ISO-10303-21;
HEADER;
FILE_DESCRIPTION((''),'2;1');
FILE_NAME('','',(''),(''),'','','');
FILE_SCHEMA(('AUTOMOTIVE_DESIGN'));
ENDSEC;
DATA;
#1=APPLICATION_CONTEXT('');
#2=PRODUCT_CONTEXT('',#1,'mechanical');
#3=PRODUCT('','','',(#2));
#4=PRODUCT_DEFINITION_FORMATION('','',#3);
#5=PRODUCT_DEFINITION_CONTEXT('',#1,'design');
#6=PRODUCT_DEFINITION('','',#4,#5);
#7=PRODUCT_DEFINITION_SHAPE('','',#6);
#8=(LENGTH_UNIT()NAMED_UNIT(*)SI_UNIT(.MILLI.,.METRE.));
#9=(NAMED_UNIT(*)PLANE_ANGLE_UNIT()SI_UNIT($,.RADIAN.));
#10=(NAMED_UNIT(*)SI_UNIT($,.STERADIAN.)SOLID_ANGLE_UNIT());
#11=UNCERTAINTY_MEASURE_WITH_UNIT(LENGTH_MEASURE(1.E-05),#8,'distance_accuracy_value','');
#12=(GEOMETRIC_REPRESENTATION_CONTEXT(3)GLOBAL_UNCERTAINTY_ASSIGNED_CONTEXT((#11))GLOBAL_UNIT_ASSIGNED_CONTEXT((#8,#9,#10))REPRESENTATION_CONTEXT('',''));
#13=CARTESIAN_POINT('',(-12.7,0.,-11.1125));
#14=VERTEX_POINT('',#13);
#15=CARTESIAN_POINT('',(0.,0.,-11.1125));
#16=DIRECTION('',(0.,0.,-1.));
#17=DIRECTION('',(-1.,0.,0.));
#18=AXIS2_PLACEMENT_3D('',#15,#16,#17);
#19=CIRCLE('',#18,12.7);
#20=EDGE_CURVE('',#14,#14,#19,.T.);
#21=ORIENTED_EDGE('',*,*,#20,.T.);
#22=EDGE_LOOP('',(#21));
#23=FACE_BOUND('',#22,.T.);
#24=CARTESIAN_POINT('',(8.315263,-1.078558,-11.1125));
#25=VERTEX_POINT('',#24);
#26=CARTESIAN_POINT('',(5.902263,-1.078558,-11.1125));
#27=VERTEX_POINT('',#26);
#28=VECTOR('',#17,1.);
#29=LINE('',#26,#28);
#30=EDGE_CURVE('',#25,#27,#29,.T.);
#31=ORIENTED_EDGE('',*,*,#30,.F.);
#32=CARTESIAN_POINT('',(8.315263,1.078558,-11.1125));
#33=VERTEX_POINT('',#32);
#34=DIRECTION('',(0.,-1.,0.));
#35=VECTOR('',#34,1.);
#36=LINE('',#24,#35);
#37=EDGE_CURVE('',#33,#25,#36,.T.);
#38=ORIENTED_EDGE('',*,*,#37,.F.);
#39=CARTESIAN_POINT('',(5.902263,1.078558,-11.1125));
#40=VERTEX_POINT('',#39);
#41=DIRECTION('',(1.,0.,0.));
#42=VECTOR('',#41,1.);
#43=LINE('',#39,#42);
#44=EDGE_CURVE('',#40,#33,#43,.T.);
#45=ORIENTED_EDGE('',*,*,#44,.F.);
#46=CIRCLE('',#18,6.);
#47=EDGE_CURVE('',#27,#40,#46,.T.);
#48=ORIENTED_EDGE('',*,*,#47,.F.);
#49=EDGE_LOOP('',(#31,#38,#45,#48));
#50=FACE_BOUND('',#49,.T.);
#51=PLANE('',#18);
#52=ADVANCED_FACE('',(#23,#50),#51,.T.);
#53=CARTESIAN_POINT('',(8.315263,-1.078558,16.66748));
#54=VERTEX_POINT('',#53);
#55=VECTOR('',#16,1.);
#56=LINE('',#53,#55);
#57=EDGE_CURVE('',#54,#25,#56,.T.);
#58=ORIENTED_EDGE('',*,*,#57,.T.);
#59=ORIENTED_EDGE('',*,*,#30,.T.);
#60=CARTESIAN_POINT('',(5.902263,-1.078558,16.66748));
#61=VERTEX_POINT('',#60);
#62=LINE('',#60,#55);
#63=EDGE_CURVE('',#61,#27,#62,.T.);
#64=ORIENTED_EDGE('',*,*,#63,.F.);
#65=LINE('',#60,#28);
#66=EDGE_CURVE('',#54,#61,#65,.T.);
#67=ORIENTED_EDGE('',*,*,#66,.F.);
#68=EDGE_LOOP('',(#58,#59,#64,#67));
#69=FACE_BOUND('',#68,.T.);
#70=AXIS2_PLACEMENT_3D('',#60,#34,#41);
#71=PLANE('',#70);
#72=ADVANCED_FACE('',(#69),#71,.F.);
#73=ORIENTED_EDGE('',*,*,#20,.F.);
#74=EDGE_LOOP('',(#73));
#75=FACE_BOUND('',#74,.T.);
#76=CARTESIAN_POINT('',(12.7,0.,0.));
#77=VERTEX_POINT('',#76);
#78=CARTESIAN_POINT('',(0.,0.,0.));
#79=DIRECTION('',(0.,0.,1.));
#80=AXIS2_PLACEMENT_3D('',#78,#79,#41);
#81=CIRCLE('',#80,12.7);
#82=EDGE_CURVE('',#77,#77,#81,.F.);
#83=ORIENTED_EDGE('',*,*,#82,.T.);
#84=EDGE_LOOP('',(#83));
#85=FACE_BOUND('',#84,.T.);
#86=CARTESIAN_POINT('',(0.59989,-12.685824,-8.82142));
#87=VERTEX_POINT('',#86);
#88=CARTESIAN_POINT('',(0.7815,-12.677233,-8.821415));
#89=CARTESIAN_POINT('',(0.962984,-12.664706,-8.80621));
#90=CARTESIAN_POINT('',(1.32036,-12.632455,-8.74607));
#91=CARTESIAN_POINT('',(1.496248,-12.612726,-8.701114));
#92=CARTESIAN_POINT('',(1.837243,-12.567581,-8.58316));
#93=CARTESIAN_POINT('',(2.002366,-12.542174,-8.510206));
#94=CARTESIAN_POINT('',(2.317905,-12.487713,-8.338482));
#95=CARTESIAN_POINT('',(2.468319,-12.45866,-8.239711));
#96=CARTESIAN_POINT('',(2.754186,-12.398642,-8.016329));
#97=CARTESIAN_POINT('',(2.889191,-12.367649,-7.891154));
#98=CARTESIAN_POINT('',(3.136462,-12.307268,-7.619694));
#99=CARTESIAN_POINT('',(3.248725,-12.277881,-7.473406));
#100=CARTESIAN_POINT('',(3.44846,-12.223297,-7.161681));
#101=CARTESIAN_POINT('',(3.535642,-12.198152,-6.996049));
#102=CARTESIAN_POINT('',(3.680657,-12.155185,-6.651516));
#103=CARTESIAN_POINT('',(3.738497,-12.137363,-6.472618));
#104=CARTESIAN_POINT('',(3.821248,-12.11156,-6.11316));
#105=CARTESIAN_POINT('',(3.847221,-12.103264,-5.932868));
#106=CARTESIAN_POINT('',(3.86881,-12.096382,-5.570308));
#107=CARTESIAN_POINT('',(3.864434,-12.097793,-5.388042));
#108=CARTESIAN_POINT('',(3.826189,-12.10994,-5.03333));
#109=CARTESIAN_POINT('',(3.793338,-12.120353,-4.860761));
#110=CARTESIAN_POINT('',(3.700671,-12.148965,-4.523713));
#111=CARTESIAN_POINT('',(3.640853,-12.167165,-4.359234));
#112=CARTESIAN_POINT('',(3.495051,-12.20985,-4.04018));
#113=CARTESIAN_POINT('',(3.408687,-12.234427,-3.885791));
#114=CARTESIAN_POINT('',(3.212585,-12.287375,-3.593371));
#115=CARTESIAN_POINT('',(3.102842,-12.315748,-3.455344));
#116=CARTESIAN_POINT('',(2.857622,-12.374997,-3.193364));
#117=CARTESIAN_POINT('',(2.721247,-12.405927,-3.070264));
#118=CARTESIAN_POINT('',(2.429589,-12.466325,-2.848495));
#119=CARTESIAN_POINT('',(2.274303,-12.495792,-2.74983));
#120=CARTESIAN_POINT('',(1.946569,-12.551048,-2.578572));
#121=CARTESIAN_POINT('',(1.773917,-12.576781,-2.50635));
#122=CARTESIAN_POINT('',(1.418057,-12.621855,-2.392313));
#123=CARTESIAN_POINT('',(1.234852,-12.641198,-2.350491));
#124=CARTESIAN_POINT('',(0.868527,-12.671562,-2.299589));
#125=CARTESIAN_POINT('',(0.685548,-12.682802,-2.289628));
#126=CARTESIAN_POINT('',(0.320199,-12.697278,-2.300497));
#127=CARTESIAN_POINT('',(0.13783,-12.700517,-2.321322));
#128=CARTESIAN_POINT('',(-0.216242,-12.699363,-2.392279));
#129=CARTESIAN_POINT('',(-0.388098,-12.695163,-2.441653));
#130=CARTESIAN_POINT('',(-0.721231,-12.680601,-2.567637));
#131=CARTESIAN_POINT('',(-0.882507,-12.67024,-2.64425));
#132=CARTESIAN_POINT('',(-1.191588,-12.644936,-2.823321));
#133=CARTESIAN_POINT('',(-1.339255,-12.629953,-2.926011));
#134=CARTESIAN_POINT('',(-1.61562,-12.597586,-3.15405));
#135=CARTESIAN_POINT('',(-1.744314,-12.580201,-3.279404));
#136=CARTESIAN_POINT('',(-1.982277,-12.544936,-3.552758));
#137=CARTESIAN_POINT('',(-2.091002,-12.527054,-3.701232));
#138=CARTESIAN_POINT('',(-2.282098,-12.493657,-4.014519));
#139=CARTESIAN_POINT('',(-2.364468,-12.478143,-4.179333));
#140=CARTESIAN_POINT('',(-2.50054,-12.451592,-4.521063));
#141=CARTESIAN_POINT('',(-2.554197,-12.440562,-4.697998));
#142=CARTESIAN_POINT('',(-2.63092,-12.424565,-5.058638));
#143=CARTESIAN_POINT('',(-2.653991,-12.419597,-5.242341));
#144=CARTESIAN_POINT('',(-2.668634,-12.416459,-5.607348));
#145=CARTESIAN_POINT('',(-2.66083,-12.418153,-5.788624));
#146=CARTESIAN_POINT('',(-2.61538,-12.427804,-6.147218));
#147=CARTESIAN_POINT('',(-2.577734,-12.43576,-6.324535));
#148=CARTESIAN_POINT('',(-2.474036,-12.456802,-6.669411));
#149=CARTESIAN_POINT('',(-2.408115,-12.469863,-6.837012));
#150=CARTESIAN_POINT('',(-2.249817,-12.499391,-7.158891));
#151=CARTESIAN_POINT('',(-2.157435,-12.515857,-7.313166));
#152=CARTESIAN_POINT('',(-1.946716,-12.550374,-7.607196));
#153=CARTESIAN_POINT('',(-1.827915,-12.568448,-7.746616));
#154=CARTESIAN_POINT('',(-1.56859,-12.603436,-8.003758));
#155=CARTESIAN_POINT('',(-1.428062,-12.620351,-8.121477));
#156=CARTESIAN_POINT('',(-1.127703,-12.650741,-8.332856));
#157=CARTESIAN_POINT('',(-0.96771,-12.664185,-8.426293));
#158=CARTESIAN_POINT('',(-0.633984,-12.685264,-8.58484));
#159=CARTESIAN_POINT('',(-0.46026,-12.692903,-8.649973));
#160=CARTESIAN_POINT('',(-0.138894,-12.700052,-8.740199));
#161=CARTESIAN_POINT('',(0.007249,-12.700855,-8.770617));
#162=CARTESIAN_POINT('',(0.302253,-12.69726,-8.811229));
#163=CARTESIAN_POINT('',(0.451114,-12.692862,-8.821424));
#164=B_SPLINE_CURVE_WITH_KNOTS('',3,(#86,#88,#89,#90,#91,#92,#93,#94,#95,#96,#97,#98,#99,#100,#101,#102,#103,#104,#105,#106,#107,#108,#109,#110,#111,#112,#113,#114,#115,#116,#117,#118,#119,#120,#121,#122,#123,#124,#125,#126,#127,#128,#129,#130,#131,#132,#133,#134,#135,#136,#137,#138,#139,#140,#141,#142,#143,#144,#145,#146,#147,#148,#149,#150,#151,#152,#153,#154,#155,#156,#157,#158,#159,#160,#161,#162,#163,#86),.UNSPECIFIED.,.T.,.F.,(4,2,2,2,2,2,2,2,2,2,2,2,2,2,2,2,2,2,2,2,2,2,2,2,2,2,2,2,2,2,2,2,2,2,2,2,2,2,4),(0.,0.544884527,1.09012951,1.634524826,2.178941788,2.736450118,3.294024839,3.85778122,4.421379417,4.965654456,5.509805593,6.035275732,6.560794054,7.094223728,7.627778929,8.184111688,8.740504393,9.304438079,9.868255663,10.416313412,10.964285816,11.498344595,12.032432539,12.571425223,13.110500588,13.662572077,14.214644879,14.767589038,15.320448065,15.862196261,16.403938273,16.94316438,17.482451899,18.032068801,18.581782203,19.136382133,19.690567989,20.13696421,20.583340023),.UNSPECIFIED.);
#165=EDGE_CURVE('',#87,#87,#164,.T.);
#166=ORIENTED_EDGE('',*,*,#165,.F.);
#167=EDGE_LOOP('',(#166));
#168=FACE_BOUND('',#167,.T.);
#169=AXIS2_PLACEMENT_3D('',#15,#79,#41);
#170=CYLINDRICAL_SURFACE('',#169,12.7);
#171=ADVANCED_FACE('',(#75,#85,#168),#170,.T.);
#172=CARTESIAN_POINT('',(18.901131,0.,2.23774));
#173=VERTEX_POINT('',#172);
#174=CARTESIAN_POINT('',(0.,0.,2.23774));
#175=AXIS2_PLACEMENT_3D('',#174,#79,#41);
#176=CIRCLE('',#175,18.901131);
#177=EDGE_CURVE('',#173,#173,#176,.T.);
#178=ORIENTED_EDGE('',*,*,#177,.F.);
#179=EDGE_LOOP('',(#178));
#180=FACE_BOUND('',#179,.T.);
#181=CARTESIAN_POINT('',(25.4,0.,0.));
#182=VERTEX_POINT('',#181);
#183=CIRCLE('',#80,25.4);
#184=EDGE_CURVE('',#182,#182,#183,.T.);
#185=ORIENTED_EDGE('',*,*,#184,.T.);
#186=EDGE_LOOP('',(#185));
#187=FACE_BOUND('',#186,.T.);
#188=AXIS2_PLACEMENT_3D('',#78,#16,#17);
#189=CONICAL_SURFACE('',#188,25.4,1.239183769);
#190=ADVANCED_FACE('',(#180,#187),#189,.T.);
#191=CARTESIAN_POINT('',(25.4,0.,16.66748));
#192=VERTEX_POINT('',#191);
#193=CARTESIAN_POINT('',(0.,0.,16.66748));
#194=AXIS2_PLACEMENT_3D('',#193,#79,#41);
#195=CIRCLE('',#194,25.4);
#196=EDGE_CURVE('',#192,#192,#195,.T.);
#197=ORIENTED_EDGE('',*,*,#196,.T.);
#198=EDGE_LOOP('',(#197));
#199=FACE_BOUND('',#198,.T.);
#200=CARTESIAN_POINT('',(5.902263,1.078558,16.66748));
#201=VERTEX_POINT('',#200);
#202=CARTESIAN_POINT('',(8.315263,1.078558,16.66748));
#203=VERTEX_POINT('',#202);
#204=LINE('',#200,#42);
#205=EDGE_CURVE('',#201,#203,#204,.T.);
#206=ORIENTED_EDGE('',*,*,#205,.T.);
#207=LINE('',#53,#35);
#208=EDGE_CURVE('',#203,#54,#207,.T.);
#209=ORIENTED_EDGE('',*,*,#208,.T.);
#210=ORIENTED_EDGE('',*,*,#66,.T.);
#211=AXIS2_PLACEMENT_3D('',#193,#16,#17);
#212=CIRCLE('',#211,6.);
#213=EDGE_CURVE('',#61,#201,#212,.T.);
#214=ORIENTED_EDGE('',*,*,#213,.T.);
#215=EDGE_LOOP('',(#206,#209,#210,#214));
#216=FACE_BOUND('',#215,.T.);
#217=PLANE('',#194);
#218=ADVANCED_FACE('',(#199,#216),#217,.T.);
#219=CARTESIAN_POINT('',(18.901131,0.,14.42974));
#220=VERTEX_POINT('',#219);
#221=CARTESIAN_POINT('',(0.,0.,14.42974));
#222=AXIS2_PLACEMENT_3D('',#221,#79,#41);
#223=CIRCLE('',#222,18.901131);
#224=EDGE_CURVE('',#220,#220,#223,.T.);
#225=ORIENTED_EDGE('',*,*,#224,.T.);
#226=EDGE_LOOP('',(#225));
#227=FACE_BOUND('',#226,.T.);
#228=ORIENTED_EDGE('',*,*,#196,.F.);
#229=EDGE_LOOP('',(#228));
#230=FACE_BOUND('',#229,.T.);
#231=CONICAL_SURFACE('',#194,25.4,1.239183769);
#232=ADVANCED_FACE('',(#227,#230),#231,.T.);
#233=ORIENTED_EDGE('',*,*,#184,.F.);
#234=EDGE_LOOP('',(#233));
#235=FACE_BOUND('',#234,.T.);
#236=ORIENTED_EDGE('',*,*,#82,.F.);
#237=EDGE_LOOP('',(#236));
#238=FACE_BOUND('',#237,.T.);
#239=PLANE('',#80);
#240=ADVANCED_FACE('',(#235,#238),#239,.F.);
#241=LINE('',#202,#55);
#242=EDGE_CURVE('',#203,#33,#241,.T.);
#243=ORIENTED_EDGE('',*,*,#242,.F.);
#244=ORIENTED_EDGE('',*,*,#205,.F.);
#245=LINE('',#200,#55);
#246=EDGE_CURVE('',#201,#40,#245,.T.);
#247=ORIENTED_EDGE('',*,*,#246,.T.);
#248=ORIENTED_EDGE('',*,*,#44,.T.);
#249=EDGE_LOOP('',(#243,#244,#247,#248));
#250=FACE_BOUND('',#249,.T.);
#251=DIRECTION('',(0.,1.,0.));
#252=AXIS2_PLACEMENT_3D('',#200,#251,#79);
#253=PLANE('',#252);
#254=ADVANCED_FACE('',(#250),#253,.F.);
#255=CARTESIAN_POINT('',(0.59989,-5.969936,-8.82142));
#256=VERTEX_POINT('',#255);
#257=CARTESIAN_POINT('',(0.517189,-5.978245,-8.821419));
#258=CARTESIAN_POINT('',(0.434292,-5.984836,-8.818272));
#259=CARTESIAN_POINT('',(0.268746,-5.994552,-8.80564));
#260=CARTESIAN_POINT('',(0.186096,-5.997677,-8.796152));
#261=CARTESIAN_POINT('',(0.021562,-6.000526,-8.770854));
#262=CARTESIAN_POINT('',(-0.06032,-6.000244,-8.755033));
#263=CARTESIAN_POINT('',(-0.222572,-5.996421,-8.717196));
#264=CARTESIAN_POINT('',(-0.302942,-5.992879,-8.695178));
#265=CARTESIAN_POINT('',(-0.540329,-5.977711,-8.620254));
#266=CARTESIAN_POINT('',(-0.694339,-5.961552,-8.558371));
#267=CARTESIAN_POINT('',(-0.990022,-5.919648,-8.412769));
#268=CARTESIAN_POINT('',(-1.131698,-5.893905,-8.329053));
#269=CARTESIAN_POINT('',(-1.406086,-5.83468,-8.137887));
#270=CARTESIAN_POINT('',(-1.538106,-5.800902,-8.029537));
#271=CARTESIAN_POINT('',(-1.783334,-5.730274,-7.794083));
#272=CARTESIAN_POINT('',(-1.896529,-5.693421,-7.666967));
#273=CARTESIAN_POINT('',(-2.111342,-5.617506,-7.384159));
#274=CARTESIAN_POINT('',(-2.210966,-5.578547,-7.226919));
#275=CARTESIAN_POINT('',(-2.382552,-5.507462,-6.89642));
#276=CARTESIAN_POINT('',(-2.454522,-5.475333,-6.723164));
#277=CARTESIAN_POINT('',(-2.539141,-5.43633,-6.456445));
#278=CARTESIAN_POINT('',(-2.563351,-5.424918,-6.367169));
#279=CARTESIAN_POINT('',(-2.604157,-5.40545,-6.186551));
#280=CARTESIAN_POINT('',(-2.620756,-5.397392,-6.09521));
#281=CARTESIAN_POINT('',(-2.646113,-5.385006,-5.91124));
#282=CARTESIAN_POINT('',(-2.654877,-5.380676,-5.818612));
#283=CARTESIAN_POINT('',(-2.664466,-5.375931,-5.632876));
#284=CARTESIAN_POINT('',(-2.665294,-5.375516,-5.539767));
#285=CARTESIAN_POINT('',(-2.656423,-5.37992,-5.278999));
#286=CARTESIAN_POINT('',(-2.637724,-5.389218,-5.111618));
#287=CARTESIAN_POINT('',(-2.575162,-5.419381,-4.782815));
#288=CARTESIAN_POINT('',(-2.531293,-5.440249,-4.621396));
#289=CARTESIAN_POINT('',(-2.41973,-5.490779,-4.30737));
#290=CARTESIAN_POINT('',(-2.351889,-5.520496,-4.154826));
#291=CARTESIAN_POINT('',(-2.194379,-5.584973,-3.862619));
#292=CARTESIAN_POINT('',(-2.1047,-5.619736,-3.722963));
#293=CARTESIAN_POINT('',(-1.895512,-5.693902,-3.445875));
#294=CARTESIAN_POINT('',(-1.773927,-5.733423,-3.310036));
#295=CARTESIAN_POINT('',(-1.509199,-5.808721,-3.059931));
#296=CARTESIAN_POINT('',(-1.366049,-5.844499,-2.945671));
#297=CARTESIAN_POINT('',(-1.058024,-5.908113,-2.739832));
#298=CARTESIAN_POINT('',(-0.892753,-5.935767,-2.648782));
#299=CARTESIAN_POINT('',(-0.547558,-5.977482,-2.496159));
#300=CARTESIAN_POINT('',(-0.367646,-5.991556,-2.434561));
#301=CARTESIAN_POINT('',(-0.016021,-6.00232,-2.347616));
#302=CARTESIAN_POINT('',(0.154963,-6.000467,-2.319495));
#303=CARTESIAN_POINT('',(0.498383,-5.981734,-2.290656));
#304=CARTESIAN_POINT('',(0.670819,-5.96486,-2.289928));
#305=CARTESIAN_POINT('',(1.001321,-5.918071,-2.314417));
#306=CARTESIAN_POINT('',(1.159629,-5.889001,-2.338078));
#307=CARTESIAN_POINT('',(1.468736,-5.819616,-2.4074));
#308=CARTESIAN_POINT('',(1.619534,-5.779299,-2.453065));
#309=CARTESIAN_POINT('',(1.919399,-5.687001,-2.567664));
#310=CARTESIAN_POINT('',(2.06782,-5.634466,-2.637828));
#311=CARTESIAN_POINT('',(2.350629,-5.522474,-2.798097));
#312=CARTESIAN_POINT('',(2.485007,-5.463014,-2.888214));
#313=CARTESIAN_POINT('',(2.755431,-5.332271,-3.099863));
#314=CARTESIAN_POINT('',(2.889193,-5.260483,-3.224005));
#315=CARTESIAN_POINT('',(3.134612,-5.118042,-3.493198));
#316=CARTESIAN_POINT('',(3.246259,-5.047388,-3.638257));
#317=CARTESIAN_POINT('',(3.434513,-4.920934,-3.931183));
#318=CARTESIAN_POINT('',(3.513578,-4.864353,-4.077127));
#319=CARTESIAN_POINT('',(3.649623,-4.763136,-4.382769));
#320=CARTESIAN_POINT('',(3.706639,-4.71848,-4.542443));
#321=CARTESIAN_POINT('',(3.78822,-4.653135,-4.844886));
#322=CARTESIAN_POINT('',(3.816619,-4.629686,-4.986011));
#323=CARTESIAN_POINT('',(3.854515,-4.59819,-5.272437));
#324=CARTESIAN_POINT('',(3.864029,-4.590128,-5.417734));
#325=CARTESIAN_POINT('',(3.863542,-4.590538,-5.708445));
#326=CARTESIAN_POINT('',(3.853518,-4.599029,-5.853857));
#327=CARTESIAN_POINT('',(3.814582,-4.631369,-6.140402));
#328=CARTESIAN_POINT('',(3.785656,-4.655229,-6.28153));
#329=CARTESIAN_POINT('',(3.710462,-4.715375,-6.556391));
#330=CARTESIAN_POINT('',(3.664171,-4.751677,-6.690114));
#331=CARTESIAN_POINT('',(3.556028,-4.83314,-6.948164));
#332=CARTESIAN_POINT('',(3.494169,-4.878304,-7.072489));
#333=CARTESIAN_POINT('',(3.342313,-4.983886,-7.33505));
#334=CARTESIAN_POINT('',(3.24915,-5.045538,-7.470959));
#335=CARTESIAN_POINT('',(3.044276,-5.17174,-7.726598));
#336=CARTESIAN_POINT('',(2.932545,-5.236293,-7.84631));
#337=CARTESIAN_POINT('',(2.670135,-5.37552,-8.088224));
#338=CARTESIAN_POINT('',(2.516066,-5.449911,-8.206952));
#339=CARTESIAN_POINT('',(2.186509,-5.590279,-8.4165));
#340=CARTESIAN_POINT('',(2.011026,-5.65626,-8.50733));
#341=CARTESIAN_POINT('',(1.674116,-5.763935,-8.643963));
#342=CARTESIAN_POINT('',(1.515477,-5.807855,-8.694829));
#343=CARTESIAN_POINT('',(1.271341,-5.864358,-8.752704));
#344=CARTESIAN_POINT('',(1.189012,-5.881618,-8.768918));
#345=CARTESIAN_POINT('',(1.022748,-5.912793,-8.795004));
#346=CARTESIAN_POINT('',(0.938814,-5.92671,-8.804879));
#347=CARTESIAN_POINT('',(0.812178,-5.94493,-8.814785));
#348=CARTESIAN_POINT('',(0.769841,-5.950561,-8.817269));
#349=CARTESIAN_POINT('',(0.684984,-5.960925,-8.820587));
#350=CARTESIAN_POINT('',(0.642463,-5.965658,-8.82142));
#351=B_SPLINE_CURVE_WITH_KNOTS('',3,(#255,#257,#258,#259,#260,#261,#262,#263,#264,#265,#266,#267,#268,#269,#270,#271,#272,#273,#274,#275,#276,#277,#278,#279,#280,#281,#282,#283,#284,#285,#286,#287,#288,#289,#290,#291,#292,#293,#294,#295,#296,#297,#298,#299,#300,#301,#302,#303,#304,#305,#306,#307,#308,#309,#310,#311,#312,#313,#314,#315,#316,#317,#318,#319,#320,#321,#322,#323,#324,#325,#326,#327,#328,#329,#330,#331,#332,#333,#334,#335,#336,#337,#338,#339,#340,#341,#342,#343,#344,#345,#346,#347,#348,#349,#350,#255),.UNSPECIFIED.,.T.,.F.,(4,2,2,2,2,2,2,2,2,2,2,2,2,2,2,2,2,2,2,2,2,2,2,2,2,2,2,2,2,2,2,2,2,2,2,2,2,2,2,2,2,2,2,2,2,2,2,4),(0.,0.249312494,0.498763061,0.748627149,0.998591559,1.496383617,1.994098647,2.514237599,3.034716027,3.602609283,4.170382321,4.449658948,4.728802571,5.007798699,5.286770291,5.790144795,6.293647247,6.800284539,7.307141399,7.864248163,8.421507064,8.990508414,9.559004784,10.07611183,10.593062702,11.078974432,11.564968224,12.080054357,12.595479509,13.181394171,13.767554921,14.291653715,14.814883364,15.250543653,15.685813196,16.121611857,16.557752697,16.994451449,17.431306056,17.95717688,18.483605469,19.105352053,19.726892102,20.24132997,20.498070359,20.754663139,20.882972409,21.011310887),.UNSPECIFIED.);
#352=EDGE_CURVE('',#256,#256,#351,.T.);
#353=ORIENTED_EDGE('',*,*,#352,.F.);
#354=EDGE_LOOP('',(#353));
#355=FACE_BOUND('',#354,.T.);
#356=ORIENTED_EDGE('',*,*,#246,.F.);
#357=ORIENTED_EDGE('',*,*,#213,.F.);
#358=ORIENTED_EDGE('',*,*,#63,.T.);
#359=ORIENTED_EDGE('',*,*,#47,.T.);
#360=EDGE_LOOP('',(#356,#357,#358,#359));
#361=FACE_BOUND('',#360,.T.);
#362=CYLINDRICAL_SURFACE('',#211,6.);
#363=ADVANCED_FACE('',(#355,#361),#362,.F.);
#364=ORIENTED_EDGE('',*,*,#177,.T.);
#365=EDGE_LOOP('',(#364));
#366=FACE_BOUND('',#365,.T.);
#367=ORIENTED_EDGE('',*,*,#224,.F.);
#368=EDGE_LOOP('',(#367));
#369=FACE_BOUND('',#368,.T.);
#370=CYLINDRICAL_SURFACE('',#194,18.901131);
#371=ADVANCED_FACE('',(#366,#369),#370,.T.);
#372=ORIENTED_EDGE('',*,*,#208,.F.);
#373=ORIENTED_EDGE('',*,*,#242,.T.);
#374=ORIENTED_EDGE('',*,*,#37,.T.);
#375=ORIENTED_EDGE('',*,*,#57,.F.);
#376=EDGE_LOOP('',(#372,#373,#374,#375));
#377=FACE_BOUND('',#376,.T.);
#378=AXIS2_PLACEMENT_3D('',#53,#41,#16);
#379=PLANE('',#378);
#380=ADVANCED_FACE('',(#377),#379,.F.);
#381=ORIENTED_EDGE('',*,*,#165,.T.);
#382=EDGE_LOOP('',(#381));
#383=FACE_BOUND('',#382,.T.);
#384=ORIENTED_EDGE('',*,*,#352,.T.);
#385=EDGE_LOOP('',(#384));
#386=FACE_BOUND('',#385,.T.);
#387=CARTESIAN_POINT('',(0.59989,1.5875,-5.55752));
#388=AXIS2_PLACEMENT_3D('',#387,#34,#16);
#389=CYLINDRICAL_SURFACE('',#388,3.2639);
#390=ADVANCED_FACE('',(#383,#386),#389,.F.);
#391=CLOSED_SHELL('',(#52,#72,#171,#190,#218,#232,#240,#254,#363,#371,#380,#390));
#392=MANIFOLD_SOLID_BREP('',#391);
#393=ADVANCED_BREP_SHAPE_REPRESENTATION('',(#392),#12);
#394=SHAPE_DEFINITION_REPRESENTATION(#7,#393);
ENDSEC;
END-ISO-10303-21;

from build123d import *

# Parameters (mm, degrees)
SKETCH1_R               = 25.4
BOSS_EXTRUDE1_DEPTH     = 16.66748
SKETCH2_R               = 12.7
BOSS_EXTRUDE2_DEPTH     = 11.1125
CUT_EXTRUDE1_DEPTH      = 46.409770852
CUT_EXTRUDE2_DEPTH      = 11.1125
CUT_EXTRUDE2_DEPTH_BACK = 11.1125
SKETCH5_R               = 3.2639


with BuildPart() as part:
    # Sketch1 → Boss-Extrude1 (new body)
    with BuildSketch(Plane.XY):
        Circle(SKETCH1_R)
    extrude(amount=BOSS_EXTRUDE1_DEPTH)

    # Sketch2 → Boss-Extrude2 (add)
    with BuildSketch(Plane(origin=(0, 0, 0), x_dir=(-1, 0, 0), z_dir=(0, 0, -1))):
        with Locations(Location((0, 0, 0), (0, 0, 180))):
            Circle(SKETCH2_R)
    extrude(amount=BOSS_EXTRUDE2_DEPTH)

    # Sketch3 → Cut-Extrude1 (cut, through all)
    with BuildSketch(Plane(origin=(0, 0, -11.1125), x_dir=(-1, 0, 0), z_dir=(0, 0, -1))):
        with BuildLine():
            Line((-5.902263385, -1.078557803), (-8.315263385, -1.078557803))
            Line((-8.315263385, -1.078557803), (-8.315263385, 1.078557803))
            Line((-8.315263385, 1.078557803), (-5.902263385, 1.078557803))
            ThreePointArc((-5.902263385, 1.078557803), (6, 0), (-5.902263385, -1.078557803))
        make_face()
    extrude(amount=-CUT_EXTRUDE1_DEPTH, mode=Mode.SUBTRACT)

    # Sketch5 → Cut-Extrude2 (cut, two sides: drawn at the far end of the back side and taken through both)
    with BuildSketch(Plane(origin=(0, -9.525, 0), x_dir=(1, 0, 0), z_dir=(0, 1, 0)).offset(-CUT_EXTRUDE2_DEPTH_BACK)):
        with Locations(Location((0.599890424, 5.55752, 0), (0, 0, 90))):
            Circle(SKETCH5_R)
    extrude(amount=CUT_EXTRUDE2_DEPTH + CUT_EXTRUDE2_DEPTH_BACK, mode=Mode.SUBTRACT)

    # Sketch7 → Cut-Revolve1 (revolve, cut)
    with BuildSketch(Plane(origin=(0, 0, 0), x_dir=(0, 0, -1), z_dir=(1, 0, 0)), mode=Mode.PRIVATE) as cut_revolve1_sk:
        Polygon((-16.66748, 25.4), (0, 25.4), (-2.23774, 18.901131151), (-14.42974, 18.901131151), align=None)
    revolve(cut_revolve1_sk.sketch.rotate(Axis((0, 0, 16.66748), (0, 0, -1)), 90), axis=Axis((0, 0, 16.66748), (0, 0, -1)), mode=Mode.SUBTRACT)


solid = part.part
